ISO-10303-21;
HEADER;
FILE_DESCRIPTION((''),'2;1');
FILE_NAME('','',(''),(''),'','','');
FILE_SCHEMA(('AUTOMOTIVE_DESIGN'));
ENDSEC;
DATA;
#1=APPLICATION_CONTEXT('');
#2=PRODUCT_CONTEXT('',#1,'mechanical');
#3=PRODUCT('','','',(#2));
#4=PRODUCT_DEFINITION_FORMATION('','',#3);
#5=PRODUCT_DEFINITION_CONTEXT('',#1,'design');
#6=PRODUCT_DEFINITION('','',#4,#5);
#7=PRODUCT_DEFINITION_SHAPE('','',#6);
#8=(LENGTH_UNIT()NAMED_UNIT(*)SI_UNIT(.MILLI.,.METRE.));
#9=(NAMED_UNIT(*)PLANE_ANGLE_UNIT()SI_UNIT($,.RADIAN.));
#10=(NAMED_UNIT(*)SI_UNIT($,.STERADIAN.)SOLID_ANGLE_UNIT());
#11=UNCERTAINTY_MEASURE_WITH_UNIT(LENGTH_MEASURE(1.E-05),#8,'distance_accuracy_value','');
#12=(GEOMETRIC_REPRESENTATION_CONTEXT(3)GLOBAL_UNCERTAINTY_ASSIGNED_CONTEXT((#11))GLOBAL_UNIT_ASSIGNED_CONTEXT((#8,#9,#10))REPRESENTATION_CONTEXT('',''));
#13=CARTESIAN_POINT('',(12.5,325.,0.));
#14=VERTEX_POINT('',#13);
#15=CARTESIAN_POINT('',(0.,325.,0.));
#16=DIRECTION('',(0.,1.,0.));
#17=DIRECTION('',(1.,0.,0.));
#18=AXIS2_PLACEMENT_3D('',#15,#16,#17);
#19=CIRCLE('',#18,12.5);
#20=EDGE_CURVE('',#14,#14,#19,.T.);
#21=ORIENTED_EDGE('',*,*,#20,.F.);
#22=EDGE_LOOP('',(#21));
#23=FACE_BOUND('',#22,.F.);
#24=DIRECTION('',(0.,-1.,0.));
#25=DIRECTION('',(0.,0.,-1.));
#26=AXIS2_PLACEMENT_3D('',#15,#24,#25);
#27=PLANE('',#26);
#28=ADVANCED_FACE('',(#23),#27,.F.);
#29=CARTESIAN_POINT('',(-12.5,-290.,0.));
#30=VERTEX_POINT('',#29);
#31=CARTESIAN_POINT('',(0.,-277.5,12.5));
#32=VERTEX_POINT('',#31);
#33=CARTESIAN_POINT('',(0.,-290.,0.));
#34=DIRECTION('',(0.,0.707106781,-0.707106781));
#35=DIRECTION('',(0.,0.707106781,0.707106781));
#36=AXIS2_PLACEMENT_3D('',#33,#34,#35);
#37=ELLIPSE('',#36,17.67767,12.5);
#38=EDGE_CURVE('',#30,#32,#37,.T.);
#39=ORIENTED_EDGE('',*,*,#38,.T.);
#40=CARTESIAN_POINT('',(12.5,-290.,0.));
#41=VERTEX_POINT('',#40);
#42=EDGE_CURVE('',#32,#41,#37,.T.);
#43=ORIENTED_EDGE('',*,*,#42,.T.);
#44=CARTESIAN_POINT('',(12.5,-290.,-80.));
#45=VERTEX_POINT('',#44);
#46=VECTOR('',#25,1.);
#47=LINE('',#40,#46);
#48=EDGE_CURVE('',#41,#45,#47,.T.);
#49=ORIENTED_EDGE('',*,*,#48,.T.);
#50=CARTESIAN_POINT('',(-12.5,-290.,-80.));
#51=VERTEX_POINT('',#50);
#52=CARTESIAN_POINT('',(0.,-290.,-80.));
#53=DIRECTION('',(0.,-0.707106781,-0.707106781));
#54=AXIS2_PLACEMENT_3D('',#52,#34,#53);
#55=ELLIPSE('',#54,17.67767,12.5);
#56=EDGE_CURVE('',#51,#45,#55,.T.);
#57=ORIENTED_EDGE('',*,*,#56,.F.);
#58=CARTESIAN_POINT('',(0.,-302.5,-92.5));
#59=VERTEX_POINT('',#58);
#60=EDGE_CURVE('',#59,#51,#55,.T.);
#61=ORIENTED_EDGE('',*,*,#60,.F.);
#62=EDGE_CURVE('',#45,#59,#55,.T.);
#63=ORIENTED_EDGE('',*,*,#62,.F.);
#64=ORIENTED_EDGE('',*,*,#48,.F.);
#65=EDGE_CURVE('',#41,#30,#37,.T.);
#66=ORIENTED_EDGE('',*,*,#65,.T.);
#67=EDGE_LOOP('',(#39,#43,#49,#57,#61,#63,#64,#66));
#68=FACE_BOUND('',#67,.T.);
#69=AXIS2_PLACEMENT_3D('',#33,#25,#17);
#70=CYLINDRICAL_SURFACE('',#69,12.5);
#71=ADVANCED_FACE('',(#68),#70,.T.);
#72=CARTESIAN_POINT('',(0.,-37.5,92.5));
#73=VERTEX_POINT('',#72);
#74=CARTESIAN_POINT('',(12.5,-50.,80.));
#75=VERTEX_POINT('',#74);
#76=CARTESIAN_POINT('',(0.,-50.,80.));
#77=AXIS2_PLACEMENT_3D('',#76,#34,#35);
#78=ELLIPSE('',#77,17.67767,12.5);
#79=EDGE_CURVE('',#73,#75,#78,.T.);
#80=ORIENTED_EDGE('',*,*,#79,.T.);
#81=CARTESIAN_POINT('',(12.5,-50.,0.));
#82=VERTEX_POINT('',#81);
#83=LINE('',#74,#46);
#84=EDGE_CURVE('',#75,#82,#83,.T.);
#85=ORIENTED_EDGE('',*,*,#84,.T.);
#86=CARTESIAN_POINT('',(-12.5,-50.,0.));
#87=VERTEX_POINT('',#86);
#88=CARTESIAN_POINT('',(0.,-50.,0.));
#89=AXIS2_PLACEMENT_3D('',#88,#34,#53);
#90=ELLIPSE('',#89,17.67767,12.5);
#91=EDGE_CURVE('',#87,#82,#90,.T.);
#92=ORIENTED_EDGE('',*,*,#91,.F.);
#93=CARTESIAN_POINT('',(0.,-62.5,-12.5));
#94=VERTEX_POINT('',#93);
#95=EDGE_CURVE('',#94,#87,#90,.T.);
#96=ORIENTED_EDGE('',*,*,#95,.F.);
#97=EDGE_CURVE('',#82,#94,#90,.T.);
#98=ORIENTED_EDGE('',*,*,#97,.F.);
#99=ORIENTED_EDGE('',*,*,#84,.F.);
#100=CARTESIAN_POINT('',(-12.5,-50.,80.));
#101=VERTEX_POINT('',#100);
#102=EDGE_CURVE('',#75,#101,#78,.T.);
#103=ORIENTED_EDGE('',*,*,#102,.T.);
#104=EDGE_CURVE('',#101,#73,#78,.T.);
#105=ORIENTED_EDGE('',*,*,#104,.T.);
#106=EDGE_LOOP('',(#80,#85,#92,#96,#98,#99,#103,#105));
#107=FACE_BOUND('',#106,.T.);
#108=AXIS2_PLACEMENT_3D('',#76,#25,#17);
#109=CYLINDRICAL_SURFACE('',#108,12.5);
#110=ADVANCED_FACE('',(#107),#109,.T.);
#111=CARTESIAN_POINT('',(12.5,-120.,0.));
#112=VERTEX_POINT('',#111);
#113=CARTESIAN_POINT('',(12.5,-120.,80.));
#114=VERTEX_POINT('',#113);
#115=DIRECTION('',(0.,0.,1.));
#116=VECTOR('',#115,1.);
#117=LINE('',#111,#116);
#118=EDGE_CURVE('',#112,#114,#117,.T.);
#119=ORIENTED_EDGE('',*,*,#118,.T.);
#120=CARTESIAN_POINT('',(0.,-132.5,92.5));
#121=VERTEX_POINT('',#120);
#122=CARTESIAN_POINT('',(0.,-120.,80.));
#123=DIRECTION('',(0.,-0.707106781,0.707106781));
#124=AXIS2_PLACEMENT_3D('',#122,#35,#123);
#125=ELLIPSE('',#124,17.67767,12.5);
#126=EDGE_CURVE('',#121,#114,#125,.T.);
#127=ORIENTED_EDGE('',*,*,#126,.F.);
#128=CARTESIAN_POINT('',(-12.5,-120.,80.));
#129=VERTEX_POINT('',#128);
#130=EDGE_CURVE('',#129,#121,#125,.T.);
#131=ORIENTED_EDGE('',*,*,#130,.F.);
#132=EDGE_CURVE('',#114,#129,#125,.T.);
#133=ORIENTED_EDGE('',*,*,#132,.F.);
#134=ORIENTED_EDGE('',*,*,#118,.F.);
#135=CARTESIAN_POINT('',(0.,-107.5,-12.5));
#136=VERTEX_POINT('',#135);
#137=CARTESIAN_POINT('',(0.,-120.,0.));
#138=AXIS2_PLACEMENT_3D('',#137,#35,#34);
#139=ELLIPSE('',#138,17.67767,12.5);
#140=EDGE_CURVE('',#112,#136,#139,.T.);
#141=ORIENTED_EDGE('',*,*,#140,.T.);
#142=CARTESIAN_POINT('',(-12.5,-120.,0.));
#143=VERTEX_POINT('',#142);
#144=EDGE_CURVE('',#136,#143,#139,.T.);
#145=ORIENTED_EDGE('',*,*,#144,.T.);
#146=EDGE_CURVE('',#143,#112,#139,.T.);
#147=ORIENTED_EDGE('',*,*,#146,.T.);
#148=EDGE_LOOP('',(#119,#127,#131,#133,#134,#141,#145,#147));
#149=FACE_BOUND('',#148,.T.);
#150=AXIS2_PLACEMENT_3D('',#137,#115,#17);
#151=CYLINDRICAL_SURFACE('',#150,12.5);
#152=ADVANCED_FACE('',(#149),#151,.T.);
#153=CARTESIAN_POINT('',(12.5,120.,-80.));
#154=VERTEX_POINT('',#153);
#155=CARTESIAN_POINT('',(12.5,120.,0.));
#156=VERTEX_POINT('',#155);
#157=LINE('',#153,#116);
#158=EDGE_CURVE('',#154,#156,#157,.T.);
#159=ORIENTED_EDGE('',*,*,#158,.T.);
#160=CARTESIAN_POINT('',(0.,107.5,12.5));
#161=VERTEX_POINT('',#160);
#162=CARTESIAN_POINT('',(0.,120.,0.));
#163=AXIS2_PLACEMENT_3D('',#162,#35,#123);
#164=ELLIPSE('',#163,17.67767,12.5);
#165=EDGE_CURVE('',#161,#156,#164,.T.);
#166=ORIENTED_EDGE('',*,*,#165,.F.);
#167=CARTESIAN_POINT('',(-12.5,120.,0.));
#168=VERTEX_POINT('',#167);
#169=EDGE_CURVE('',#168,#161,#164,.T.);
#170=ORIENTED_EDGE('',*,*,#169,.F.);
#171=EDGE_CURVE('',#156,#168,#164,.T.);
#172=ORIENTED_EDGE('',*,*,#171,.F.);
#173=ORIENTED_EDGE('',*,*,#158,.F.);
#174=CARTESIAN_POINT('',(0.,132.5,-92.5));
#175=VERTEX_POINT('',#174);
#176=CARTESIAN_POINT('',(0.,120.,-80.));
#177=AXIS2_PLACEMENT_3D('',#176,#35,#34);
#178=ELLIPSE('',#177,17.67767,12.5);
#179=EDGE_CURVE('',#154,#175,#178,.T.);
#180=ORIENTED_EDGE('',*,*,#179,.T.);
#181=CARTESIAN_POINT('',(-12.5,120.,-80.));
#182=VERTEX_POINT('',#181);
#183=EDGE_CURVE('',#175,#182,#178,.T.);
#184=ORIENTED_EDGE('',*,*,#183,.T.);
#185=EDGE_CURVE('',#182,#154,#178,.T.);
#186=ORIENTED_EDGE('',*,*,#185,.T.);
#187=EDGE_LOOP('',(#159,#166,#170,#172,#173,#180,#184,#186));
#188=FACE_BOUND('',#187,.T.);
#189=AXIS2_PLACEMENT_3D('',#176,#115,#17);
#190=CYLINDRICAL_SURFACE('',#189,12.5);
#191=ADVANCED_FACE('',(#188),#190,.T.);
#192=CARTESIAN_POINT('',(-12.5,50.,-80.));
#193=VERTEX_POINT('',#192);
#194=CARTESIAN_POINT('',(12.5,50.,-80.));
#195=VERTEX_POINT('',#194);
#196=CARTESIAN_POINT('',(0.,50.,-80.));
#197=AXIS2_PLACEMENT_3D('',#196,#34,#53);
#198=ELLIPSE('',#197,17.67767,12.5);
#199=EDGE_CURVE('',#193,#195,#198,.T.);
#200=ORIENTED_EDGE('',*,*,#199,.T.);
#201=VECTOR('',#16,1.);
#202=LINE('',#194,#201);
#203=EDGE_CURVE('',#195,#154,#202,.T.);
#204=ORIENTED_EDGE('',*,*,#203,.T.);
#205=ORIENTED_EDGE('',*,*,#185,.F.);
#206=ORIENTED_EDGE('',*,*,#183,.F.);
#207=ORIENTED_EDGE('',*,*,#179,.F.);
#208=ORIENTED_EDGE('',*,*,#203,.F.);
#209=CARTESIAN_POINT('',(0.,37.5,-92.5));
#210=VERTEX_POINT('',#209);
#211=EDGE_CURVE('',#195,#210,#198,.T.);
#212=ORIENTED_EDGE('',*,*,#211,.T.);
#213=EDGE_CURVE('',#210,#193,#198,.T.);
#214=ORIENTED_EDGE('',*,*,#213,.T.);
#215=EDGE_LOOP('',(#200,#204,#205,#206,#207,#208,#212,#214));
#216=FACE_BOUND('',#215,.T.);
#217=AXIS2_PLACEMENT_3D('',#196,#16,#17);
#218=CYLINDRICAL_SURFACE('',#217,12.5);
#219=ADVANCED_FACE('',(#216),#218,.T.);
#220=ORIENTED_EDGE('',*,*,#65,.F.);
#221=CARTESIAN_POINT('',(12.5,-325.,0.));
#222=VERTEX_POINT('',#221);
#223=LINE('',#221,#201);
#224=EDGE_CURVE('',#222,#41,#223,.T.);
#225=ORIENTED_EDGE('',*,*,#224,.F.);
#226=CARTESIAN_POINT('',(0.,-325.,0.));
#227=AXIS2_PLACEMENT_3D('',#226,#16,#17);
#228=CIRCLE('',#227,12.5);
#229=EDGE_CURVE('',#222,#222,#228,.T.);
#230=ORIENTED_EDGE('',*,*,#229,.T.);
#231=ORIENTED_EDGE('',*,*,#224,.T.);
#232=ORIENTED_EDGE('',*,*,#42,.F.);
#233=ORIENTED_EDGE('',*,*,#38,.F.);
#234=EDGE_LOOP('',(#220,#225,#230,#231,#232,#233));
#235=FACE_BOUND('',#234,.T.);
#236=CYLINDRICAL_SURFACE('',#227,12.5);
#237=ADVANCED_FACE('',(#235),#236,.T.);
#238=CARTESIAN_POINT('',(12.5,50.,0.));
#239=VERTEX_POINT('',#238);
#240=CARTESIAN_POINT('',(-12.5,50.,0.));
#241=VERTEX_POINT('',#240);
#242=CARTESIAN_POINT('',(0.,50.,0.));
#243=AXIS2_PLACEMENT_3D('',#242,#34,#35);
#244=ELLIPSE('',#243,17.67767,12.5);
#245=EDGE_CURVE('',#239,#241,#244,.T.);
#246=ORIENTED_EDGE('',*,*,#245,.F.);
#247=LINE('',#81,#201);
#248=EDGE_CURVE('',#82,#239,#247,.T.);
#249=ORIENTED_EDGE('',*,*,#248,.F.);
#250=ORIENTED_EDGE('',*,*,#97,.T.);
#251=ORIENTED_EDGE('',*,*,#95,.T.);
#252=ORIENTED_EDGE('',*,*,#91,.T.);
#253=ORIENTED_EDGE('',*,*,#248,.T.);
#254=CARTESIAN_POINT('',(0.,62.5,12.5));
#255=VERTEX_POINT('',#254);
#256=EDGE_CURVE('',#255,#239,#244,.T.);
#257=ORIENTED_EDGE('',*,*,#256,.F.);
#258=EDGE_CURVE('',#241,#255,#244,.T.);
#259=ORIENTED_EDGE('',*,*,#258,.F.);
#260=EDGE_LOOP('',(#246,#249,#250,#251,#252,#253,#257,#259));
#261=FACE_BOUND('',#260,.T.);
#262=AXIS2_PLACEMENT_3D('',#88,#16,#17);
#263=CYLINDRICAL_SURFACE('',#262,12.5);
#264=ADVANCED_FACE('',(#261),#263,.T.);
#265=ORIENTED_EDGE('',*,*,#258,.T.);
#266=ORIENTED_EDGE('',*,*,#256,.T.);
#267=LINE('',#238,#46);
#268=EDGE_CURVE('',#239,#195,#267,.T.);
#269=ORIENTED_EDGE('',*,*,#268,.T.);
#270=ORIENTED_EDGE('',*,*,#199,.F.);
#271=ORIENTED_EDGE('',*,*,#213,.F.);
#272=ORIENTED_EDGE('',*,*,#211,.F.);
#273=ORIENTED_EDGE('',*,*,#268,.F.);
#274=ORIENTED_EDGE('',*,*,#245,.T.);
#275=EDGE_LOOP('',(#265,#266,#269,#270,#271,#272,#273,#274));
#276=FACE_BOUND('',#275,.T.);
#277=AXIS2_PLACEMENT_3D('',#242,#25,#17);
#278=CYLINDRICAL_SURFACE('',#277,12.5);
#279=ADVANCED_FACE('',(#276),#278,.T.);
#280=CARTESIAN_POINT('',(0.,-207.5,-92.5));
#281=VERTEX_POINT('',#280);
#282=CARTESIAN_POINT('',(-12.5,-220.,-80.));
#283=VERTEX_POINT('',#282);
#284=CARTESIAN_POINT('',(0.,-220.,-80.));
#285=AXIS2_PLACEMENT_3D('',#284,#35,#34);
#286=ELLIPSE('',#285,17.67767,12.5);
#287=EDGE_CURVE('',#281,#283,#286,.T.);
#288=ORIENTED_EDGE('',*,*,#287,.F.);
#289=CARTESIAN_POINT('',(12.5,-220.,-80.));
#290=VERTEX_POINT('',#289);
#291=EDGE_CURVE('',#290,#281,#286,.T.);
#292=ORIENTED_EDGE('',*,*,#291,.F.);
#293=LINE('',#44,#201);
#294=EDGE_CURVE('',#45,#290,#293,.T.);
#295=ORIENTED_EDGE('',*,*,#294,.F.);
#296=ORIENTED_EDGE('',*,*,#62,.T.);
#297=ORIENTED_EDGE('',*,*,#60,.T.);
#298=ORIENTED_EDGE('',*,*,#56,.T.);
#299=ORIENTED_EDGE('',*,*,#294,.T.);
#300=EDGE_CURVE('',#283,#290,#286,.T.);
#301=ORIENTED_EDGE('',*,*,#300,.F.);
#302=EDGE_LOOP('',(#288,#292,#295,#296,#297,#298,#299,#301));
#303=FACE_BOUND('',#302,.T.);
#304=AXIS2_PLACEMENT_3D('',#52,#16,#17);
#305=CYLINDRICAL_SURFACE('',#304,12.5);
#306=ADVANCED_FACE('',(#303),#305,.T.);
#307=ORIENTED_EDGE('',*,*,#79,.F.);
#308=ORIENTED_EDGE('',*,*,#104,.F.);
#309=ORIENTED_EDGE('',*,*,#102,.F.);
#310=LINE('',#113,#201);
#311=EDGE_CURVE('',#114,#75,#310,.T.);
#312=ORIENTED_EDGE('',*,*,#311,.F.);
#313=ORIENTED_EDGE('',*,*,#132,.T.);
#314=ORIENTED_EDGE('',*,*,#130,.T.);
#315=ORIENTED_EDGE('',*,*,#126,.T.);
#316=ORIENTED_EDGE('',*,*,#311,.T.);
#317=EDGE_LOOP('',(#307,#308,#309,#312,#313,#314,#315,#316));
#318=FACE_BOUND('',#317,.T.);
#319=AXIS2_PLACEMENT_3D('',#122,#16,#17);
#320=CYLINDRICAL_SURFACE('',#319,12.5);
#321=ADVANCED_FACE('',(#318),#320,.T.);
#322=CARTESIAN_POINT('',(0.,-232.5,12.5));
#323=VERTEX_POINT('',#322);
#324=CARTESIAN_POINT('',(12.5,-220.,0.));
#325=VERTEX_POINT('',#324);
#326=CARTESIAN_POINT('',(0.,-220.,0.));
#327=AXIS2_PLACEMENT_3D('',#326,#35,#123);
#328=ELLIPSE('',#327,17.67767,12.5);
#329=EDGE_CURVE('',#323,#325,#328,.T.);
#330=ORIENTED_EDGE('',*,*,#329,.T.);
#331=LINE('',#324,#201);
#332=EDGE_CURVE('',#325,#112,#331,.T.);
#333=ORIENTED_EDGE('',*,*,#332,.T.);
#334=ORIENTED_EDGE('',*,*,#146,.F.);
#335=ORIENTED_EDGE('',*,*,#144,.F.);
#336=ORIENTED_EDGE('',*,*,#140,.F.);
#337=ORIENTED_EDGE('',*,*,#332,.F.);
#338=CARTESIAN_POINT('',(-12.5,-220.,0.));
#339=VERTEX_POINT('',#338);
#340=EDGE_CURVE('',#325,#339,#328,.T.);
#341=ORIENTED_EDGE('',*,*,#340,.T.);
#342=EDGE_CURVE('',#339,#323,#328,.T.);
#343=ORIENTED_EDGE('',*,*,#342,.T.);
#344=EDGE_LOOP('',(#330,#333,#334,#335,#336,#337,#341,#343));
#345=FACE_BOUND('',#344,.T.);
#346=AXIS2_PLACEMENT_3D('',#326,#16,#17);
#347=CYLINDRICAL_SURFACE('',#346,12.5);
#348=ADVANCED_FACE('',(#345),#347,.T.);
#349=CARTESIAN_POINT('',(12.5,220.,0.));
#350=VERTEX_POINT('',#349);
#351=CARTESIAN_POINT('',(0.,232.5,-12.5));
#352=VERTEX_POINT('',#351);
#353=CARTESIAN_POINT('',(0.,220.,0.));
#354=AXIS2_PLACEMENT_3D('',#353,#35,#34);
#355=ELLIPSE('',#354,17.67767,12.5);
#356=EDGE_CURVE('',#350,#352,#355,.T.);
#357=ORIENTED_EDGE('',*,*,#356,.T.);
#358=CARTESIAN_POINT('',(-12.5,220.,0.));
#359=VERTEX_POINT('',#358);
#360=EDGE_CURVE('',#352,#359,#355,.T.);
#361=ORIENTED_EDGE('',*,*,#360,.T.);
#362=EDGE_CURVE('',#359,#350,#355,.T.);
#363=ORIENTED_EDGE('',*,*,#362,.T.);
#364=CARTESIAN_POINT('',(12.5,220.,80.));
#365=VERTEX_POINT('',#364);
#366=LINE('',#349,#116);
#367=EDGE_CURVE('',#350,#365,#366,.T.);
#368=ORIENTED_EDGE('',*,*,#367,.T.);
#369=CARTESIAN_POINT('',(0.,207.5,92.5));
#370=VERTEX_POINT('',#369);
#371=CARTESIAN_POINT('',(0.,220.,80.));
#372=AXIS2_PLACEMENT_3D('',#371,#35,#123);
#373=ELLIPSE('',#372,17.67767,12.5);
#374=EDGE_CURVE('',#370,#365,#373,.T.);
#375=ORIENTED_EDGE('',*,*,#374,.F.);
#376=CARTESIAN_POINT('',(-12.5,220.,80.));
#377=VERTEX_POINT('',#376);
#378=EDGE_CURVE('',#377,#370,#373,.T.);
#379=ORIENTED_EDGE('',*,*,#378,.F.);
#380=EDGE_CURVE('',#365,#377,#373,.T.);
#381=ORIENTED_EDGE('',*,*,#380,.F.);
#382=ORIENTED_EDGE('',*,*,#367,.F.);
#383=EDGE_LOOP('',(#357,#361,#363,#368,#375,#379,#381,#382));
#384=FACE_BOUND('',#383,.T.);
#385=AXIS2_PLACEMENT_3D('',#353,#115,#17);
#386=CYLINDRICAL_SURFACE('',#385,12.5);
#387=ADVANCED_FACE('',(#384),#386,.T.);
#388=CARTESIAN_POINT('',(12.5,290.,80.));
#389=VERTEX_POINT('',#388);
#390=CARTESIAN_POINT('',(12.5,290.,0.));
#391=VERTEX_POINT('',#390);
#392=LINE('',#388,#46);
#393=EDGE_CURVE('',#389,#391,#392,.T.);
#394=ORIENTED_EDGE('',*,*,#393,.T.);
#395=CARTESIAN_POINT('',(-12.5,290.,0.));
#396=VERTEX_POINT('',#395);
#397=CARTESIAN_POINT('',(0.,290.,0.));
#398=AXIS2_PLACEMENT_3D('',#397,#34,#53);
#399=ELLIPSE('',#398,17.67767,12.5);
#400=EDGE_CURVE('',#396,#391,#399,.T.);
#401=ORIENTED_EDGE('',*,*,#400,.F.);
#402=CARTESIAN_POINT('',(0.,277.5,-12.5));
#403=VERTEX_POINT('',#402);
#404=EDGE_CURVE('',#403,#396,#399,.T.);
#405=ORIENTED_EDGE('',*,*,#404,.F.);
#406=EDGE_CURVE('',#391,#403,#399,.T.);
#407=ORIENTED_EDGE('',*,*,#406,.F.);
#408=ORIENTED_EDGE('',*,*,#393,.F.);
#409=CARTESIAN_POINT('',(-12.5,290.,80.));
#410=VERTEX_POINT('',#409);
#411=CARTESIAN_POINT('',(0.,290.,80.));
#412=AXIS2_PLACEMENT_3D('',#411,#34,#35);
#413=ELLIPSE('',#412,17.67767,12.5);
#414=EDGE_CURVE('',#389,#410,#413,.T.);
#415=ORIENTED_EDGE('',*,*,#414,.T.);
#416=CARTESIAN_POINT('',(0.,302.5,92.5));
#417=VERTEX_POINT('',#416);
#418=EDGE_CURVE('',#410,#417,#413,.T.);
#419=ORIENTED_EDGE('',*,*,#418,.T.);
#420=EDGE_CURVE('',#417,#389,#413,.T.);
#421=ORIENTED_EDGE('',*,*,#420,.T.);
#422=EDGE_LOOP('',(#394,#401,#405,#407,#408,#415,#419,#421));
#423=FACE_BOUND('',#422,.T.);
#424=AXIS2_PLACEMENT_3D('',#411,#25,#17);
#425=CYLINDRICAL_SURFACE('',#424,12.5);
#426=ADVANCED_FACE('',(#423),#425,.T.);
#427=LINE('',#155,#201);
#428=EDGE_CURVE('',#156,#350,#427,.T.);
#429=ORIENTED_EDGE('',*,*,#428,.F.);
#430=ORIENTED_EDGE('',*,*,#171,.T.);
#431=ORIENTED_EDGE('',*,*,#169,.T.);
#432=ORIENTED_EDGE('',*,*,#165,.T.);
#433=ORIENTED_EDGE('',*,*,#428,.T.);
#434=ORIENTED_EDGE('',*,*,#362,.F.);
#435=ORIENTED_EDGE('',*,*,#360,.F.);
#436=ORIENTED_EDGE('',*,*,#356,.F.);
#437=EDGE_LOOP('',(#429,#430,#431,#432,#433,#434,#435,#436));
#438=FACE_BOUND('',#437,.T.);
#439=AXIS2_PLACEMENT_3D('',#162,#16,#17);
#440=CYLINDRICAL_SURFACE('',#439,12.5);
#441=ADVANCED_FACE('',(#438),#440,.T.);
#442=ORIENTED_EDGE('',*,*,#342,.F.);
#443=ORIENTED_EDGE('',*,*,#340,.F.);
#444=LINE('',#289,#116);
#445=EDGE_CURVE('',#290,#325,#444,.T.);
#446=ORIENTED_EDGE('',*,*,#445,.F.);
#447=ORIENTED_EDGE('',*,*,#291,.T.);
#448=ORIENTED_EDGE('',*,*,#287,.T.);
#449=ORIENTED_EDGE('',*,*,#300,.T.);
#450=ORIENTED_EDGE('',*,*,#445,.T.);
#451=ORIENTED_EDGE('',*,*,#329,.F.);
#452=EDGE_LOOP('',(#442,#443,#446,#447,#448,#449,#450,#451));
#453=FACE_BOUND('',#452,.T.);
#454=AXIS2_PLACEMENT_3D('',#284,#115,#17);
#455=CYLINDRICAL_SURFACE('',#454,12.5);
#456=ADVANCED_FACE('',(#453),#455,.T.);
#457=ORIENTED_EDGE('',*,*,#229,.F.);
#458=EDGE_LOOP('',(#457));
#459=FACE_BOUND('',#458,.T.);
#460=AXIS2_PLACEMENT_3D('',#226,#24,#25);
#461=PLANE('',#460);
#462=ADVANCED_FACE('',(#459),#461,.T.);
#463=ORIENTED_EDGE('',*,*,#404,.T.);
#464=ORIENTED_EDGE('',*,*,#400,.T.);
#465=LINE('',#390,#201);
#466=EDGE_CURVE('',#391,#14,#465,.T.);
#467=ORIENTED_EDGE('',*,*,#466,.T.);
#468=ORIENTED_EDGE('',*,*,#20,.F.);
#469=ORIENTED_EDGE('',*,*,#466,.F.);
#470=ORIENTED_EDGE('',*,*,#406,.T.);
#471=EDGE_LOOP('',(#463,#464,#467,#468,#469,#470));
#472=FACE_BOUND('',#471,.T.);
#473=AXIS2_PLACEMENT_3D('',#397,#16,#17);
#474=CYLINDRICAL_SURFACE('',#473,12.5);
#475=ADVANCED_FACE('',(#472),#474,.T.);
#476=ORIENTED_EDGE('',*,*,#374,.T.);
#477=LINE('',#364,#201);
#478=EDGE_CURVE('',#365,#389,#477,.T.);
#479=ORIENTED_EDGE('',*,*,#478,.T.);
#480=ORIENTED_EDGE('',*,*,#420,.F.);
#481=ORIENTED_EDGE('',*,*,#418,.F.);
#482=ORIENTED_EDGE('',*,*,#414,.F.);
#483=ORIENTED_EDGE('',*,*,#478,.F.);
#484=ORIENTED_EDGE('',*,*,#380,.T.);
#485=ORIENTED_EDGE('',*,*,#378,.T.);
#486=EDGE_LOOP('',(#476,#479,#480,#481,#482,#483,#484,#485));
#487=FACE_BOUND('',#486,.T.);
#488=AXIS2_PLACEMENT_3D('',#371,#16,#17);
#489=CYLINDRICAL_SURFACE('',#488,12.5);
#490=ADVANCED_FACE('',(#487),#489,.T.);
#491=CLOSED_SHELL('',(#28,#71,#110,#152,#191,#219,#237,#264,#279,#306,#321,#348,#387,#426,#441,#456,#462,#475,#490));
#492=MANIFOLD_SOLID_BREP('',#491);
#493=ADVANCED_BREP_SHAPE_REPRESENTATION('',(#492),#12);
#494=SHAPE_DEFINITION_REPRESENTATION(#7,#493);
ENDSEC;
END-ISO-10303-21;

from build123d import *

# Parameters (mm, degrees)
F2_R = 12.5


with BuildPart() as f3:
    # F3: sweep along a path in F0
    with BuildLine(Plane.YZ) as f3_path:
        Line((-325, 0), (-290, 0))
        Line((-290, 0), (-290, -80))
        Line((-290, -80), (-220, -80))
        Line((-220, -80), (-220, 0))
        Line((-220, 0), (-120, 0))
        Line((-120, 0), (-120, 80))
        Line((-120, 80), (-50, 80))
        Line((-50, 80), (-50, 0))
        Line((-50, 0), (50, 0))
        Line((50, 0), (50, -80))
        Line((50, -80), (120, -80))
        Line((120, -80), (120, 0))
        Line((120, 0), (220, 0))
        Line((220, 0), (220, 80))
        Line((220, 80), (290, 80))
        Line((290, 80), (290, 0))
        Line((290, 0), (325, 0))
    # F2 (on plane+point) → F3 (sweep)
    with BuildSketch(Plane.XZ.offset(325)):
        Circle(F2_R)
    sweep(path=f3_path.line, transition=Transition.RIGHT)


solid = f3.part
